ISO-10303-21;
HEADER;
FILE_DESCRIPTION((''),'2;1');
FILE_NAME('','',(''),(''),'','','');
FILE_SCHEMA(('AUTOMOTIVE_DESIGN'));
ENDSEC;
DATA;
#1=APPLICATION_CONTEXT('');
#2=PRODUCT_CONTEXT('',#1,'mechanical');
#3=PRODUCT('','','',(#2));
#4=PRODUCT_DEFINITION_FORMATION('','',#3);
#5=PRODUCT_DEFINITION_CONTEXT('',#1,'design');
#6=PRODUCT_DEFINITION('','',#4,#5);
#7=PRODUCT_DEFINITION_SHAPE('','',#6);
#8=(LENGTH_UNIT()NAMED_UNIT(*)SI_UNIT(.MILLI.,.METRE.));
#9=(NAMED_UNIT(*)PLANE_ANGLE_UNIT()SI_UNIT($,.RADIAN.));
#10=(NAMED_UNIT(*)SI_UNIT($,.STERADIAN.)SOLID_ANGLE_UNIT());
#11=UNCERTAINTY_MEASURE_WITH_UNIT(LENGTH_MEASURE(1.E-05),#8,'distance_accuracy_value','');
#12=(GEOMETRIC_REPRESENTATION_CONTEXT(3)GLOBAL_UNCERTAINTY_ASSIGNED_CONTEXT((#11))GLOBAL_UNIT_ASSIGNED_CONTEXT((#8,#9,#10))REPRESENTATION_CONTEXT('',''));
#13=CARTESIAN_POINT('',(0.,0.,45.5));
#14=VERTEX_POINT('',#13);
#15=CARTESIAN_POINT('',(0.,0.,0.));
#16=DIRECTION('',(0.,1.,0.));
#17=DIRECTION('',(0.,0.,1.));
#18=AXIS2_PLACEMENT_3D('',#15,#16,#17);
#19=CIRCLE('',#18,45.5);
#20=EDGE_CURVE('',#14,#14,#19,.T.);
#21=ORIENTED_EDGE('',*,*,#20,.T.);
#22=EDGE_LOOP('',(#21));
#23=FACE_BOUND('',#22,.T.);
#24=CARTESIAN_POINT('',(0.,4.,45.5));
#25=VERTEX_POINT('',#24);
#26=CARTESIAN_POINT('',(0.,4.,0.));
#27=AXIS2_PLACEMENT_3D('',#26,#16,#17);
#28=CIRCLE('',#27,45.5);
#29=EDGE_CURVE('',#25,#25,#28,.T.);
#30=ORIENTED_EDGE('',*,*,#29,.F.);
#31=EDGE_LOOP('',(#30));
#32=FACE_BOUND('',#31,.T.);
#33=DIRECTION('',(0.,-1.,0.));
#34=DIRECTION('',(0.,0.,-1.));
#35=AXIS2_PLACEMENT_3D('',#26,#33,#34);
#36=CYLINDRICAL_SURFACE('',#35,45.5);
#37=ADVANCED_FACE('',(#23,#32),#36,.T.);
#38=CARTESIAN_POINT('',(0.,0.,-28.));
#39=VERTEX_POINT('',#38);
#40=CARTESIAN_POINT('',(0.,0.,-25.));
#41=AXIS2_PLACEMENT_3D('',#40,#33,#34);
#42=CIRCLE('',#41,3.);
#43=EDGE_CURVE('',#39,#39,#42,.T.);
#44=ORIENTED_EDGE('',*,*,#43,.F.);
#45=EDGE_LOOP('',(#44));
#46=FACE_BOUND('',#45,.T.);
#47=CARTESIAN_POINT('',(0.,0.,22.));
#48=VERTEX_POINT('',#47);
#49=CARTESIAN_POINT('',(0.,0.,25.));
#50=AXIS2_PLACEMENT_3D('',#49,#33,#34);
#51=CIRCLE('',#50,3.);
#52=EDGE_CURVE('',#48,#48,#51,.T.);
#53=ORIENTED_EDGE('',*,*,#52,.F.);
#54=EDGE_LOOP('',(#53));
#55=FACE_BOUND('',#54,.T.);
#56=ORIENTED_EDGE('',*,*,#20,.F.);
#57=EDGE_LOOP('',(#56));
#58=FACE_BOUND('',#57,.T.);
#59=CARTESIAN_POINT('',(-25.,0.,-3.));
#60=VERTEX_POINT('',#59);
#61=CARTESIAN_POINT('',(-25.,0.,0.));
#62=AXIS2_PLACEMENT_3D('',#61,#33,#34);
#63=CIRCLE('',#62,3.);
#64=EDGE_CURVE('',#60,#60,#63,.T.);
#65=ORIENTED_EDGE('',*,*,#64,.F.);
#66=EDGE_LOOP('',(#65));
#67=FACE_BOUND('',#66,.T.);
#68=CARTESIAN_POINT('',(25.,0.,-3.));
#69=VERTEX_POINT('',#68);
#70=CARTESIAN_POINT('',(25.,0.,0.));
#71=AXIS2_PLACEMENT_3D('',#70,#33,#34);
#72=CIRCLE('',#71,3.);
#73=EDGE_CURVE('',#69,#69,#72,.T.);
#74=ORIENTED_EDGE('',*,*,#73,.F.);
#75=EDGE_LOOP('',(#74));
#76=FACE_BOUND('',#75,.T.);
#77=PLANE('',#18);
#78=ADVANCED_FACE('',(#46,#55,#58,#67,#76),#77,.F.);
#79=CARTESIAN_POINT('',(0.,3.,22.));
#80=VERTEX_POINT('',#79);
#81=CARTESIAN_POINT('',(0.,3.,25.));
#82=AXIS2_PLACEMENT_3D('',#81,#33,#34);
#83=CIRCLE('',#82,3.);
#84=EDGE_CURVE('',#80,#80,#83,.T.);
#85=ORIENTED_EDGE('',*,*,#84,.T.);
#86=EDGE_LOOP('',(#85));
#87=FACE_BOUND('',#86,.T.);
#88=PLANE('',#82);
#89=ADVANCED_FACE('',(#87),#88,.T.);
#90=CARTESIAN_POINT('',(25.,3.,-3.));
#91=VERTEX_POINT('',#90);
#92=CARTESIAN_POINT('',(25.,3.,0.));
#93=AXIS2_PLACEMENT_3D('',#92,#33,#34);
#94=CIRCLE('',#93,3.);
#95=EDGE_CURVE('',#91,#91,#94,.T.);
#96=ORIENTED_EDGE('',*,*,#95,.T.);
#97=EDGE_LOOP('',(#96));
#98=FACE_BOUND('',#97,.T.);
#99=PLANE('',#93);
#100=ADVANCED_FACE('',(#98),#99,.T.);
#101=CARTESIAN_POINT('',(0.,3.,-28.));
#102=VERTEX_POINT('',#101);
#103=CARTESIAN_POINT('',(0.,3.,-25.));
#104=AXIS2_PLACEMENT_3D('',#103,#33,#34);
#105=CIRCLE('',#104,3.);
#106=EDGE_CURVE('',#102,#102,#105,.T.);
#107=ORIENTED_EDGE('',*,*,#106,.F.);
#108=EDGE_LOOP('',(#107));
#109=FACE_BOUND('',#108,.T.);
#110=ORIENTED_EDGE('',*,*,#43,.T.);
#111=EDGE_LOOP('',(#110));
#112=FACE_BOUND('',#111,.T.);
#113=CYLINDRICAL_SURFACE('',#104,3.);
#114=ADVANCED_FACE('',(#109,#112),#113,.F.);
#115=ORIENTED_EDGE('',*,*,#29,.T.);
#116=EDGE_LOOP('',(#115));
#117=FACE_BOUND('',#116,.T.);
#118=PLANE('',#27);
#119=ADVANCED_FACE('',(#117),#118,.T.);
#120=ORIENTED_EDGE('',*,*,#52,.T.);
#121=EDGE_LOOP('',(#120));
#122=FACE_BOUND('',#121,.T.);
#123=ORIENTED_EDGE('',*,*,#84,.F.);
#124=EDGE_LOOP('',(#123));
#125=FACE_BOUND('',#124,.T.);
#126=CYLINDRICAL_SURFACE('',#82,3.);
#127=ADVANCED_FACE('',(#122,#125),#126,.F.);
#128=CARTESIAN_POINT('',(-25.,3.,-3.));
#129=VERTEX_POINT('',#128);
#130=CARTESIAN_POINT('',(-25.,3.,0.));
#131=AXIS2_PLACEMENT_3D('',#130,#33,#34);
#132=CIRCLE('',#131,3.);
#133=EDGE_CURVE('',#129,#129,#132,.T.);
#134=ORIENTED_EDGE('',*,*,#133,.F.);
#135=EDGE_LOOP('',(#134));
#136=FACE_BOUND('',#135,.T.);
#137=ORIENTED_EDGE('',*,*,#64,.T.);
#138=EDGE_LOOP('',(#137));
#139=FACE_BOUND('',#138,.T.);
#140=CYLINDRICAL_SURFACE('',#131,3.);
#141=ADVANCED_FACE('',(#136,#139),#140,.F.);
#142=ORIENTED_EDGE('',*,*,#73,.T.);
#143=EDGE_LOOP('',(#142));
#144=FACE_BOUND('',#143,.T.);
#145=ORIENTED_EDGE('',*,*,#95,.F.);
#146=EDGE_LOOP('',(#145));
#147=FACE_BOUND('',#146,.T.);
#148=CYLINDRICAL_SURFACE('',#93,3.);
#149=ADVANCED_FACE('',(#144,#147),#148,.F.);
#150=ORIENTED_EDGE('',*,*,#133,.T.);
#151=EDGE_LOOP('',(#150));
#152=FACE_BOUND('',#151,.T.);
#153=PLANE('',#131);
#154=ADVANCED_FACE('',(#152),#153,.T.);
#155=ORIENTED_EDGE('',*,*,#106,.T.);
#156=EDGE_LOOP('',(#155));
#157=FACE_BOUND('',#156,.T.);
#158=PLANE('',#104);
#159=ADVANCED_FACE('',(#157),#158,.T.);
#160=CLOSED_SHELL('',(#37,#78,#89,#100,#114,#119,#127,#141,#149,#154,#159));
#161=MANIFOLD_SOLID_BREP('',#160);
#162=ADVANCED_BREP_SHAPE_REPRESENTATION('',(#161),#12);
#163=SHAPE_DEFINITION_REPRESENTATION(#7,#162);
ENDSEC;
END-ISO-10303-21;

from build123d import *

# Parameters (mm, degrees)
SKETCH1_R           = 45.5
BOSS_EXTRUDE1_DEPTH = 4
SKETCH3_R           = 3
CUT_EXTRUDE1_DEPTH  = 3


with BuildPart() as part:
    # Sketch1 → Boss-Extrude1 (new body)
    with BuildSketch(Plane(origin=(0, 0, 0), x_dir=(1, 0, 0), z_dir=(0, 1, 0))):
        with Locations(Location((0, 0, 0), (0, 0, 270))):
            Circle(SKETCH1_R)
    extrude(amount=BOSS_EXTRUDE1_DEPTH)

    # Sketch3 → Cut-Extrude1 (cut)
    with BuildSketch(Plane.XZ):
        with Locations(Location((0, 25, 0), (0, 0, 270))):
            Circle(SKETCH3_R)
        with Locations(Location((25, 0, 0), (0, 0, 270))):
            Circle(SKETCH3_R)
        with Locations(Location((0, -25, 0), (0, 0, 270))):
            Circle(SKETCH3_R)
        with Locations(Location((-25, 0, 0), (0, 0, 270))):
            Circle(SKETCH3_R)
    extrude(amount=-CUT_EXTRUDE1_DEPTH, mode=Mode.SUBTRACT)


solid = part.part
